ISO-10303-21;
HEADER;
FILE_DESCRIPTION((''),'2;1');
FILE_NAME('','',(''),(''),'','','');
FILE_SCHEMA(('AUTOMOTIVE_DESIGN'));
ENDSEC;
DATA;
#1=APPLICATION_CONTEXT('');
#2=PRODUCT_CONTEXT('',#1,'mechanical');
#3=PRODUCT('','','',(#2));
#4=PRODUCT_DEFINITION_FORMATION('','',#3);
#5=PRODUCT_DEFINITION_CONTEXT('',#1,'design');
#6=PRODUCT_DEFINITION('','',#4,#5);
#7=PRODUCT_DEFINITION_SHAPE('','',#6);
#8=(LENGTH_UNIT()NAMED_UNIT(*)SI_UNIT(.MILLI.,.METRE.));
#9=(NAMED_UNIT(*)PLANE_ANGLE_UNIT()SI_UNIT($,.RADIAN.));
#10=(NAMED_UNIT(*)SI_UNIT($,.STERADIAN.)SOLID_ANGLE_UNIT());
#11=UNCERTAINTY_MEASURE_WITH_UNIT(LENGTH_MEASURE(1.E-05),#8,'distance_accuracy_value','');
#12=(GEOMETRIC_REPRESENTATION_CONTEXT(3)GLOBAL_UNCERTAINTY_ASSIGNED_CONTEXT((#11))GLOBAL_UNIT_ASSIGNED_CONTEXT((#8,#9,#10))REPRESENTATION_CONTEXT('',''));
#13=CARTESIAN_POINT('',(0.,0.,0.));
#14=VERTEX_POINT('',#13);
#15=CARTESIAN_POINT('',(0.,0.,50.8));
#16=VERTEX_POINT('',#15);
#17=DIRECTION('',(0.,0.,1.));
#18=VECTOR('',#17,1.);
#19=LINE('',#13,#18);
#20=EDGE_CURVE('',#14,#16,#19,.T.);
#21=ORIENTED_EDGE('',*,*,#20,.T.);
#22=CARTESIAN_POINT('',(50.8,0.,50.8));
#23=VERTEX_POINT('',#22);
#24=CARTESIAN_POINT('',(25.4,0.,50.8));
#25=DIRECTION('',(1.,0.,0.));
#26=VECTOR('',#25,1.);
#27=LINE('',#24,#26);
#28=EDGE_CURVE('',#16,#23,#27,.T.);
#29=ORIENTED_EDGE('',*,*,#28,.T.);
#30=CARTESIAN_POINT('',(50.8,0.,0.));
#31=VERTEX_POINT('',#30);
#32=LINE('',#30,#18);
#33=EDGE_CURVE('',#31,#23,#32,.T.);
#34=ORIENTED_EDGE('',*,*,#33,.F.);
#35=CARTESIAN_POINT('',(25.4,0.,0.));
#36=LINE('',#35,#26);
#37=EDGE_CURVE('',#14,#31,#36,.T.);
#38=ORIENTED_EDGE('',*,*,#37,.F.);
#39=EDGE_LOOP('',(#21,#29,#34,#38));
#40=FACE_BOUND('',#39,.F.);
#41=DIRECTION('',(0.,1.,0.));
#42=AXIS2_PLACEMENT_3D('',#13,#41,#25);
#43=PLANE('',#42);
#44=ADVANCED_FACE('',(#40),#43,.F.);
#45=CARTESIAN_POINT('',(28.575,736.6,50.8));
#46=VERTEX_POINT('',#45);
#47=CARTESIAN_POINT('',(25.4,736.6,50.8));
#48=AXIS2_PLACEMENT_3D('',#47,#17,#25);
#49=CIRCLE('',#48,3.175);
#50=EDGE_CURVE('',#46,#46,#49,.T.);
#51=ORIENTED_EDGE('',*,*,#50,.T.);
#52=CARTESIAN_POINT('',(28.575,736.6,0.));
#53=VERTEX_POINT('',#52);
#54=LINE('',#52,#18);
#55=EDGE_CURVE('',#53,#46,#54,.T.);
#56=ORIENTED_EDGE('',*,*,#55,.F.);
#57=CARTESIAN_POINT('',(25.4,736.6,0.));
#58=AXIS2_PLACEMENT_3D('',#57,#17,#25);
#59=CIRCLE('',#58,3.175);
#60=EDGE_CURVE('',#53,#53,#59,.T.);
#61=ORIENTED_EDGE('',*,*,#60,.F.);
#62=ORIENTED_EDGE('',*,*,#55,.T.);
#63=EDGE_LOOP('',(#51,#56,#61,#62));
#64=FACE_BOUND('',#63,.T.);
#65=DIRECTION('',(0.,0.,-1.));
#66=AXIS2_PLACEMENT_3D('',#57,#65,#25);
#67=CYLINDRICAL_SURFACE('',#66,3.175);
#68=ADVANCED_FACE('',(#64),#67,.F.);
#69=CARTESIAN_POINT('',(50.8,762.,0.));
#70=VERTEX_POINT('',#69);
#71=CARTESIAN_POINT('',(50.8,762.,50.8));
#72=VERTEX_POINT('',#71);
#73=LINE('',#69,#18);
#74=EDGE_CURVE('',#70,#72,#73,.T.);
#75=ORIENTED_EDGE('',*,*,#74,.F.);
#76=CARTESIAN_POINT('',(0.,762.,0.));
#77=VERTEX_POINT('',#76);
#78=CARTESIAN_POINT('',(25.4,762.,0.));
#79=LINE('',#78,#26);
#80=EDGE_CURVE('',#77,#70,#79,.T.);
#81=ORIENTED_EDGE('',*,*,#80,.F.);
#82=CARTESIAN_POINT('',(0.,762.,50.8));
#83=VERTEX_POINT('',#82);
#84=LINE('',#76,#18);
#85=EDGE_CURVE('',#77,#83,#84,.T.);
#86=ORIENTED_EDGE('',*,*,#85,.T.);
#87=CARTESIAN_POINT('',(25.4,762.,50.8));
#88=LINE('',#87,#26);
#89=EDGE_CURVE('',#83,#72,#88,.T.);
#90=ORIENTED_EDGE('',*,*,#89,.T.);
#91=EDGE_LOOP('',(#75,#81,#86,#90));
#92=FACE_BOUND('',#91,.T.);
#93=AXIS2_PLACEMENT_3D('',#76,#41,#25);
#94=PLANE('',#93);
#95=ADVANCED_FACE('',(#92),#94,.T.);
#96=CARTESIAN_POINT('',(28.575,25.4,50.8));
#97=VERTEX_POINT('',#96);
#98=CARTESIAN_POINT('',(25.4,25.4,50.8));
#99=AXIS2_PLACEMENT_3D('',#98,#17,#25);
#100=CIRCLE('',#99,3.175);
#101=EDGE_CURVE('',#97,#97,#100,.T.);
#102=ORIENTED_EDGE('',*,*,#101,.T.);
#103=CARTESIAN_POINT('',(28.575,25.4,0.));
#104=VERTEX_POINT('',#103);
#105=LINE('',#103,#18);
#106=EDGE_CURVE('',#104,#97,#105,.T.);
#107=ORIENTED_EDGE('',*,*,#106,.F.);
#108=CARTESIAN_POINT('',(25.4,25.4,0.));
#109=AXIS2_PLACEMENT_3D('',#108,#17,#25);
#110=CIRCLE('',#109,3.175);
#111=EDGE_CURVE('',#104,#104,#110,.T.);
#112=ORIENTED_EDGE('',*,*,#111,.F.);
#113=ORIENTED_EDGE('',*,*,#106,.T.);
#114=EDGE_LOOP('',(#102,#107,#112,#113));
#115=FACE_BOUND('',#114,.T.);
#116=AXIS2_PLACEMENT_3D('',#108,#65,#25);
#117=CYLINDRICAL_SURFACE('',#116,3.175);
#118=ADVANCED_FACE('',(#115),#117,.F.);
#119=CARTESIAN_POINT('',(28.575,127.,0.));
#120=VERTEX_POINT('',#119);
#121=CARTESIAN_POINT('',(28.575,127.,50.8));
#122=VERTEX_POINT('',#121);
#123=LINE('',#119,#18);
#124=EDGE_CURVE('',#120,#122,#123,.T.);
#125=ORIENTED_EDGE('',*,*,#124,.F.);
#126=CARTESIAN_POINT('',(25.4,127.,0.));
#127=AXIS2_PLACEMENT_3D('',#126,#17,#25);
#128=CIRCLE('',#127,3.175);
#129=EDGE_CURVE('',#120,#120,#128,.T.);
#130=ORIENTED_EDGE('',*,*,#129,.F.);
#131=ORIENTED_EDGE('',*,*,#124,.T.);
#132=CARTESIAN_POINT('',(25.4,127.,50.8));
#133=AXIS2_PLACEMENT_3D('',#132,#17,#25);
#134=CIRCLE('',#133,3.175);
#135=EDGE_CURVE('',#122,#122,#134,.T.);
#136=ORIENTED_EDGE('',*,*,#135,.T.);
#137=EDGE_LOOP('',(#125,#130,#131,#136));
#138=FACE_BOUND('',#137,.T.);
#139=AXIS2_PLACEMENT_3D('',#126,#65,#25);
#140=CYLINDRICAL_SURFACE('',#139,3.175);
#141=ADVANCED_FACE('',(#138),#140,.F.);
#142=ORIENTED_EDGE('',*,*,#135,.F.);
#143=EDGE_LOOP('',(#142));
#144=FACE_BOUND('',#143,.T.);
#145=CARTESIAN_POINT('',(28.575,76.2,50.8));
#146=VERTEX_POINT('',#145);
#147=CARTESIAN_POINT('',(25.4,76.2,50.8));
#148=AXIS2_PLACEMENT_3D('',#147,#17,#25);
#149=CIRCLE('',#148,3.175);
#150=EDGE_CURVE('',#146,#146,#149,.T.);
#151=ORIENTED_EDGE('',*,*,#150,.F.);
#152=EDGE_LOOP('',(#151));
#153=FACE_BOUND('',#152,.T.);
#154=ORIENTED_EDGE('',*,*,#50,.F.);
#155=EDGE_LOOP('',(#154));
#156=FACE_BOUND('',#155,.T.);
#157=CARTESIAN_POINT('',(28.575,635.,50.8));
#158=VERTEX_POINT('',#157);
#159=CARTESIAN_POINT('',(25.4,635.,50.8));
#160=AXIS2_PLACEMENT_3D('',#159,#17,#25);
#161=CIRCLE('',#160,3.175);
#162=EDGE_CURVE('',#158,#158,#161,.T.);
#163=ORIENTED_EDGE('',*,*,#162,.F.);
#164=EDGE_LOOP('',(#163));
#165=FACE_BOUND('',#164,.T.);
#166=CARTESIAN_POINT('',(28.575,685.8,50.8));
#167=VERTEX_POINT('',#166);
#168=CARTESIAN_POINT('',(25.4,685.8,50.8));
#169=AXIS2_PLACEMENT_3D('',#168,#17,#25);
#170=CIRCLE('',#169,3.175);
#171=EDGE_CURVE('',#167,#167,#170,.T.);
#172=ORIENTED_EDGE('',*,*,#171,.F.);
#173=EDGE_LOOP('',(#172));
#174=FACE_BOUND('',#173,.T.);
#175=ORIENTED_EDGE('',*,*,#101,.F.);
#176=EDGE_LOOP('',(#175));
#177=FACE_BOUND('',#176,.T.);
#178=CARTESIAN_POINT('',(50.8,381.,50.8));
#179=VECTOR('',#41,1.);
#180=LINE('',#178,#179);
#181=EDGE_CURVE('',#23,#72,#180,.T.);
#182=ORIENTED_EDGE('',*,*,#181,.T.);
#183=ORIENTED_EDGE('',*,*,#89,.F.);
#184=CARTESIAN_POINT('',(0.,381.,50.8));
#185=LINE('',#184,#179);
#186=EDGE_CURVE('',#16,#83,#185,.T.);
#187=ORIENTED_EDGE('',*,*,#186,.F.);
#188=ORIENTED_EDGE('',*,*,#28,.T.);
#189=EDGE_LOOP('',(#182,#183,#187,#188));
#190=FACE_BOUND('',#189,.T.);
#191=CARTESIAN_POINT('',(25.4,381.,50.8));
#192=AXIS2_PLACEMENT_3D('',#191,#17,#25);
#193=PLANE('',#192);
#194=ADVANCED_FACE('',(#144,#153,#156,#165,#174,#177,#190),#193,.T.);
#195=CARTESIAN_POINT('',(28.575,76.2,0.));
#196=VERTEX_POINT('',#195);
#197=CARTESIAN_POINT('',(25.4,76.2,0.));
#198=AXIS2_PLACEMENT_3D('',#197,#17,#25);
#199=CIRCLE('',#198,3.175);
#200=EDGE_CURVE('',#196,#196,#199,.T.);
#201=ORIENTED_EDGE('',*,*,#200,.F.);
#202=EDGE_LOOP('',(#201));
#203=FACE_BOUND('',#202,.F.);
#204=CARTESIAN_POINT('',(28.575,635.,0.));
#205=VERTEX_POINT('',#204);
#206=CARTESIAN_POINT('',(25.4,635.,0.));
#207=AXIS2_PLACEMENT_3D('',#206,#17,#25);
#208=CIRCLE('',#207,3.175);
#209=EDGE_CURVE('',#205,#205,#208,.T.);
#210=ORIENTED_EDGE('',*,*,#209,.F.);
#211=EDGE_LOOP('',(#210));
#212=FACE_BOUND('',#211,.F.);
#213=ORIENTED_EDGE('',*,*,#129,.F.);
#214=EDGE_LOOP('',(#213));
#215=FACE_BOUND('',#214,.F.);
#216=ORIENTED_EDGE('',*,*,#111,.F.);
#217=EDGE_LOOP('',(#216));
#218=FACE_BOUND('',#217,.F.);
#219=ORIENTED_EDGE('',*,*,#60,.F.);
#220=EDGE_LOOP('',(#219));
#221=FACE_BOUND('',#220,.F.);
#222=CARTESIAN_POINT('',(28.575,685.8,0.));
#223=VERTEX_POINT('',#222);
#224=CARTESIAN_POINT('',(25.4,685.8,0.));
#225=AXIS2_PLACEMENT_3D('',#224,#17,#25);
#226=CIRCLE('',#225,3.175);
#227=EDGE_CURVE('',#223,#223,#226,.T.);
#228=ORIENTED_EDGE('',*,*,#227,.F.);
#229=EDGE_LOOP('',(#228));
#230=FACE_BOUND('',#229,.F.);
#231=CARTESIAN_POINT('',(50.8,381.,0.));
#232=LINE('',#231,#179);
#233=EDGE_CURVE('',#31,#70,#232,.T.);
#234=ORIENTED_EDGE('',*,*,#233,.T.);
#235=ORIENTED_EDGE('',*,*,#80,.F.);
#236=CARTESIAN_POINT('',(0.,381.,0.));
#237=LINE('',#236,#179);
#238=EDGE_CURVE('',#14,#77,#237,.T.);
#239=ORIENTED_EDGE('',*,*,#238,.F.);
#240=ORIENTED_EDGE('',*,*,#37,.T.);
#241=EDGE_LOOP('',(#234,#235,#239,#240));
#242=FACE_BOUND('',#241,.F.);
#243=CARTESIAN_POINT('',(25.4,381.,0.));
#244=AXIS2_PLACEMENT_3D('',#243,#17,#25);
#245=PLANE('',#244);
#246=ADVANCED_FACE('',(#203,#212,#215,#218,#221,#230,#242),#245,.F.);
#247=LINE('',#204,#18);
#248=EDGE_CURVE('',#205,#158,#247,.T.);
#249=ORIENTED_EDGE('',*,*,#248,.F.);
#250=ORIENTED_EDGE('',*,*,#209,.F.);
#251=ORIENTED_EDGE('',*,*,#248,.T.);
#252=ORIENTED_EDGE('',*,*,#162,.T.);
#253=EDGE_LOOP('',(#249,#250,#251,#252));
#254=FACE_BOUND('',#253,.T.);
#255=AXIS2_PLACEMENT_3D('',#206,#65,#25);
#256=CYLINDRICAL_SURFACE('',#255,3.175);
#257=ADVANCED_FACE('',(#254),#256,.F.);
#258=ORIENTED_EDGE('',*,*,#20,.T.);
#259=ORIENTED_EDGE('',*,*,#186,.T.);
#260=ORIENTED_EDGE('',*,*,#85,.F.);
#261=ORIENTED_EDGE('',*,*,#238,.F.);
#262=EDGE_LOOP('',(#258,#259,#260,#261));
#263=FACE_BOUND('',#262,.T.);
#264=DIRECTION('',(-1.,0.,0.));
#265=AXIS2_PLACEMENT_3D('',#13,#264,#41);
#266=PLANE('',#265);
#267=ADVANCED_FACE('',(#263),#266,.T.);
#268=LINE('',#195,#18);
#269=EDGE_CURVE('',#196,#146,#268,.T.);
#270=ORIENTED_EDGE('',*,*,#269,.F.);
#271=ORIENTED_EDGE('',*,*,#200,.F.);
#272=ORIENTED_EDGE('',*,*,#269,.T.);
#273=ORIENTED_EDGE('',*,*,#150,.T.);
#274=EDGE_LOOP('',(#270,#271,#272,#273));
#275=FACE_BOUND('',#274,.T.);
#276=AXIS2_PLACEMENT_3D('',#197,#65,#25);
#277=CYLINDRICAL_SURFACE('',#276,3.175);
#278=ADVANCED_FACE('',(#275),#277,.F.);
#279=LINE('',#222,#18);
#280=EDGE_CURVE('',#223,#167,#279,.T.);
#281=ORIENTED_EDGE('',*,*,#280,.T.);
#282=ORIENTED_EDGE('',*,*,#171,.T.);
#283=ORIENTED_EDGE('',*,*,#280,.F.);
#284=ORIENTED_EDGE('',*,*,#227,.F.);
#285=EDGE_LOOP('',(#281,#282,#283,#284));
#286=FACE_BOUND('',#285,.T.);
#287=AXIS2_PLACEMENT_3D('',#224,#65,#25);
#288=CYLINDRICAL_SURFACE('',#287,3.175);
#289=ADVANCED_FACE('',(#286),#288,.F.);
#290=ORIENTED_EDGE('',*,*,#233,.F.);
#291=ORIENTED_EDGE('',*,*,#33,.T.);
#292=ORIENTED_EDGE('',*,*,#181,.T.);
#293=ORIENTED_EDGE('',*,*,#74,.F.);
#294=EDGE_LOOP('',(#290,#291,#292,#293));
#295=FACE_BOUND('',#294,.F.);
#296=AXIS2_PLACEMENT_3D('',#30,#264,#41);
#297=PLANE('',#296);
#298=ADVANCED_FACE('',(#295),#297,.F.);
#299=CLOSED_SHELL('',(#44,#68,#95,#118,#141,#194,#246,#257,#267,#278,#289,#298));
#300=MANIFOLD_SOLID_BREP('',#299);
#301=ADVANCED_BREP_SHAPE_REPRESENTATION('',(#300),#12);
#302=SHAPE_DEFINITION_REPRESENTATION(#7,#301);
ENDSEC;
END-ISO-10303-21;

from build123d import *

# Parameters (mm, degrees)
F0_W     = 50.8
F0_H     = 762
F0_R     = 3.175
F1_DEPTH = 50.8


with BuildPart() as f1:
    # F0 (on Top) → F1 (new body)
    with BuildSketch(Plane.XY):
        with Locations((25.4, 381)):
            Rectangle(F0_W, F0_H)
        with Locations((25.4, 25.4)):
            Circle(F0_R, mode=Mode.SUBTRACT)
        with Locations((25.4, 76.2)):
            Circle(F0_R, mode=Mode.SUBTRACT)
        with Locations((25.4, 127)):
            Circle(F0_R, mode=Mode.SUBTRACT)
        with Locations((25.4, 635)):
            Circle(F0_R, mode=Mode.SUBTRACT)
        with Locations((25.4, 685.8)):
            Circle(F0_R, mode=Mode.SUBTRACT)
        with Locations((25.4, 736.6)):
            Circle(F0_R, mode=Mode.SUBTRACT)
    extrude(amount=F1_DEPTH)


solid = f1.part
